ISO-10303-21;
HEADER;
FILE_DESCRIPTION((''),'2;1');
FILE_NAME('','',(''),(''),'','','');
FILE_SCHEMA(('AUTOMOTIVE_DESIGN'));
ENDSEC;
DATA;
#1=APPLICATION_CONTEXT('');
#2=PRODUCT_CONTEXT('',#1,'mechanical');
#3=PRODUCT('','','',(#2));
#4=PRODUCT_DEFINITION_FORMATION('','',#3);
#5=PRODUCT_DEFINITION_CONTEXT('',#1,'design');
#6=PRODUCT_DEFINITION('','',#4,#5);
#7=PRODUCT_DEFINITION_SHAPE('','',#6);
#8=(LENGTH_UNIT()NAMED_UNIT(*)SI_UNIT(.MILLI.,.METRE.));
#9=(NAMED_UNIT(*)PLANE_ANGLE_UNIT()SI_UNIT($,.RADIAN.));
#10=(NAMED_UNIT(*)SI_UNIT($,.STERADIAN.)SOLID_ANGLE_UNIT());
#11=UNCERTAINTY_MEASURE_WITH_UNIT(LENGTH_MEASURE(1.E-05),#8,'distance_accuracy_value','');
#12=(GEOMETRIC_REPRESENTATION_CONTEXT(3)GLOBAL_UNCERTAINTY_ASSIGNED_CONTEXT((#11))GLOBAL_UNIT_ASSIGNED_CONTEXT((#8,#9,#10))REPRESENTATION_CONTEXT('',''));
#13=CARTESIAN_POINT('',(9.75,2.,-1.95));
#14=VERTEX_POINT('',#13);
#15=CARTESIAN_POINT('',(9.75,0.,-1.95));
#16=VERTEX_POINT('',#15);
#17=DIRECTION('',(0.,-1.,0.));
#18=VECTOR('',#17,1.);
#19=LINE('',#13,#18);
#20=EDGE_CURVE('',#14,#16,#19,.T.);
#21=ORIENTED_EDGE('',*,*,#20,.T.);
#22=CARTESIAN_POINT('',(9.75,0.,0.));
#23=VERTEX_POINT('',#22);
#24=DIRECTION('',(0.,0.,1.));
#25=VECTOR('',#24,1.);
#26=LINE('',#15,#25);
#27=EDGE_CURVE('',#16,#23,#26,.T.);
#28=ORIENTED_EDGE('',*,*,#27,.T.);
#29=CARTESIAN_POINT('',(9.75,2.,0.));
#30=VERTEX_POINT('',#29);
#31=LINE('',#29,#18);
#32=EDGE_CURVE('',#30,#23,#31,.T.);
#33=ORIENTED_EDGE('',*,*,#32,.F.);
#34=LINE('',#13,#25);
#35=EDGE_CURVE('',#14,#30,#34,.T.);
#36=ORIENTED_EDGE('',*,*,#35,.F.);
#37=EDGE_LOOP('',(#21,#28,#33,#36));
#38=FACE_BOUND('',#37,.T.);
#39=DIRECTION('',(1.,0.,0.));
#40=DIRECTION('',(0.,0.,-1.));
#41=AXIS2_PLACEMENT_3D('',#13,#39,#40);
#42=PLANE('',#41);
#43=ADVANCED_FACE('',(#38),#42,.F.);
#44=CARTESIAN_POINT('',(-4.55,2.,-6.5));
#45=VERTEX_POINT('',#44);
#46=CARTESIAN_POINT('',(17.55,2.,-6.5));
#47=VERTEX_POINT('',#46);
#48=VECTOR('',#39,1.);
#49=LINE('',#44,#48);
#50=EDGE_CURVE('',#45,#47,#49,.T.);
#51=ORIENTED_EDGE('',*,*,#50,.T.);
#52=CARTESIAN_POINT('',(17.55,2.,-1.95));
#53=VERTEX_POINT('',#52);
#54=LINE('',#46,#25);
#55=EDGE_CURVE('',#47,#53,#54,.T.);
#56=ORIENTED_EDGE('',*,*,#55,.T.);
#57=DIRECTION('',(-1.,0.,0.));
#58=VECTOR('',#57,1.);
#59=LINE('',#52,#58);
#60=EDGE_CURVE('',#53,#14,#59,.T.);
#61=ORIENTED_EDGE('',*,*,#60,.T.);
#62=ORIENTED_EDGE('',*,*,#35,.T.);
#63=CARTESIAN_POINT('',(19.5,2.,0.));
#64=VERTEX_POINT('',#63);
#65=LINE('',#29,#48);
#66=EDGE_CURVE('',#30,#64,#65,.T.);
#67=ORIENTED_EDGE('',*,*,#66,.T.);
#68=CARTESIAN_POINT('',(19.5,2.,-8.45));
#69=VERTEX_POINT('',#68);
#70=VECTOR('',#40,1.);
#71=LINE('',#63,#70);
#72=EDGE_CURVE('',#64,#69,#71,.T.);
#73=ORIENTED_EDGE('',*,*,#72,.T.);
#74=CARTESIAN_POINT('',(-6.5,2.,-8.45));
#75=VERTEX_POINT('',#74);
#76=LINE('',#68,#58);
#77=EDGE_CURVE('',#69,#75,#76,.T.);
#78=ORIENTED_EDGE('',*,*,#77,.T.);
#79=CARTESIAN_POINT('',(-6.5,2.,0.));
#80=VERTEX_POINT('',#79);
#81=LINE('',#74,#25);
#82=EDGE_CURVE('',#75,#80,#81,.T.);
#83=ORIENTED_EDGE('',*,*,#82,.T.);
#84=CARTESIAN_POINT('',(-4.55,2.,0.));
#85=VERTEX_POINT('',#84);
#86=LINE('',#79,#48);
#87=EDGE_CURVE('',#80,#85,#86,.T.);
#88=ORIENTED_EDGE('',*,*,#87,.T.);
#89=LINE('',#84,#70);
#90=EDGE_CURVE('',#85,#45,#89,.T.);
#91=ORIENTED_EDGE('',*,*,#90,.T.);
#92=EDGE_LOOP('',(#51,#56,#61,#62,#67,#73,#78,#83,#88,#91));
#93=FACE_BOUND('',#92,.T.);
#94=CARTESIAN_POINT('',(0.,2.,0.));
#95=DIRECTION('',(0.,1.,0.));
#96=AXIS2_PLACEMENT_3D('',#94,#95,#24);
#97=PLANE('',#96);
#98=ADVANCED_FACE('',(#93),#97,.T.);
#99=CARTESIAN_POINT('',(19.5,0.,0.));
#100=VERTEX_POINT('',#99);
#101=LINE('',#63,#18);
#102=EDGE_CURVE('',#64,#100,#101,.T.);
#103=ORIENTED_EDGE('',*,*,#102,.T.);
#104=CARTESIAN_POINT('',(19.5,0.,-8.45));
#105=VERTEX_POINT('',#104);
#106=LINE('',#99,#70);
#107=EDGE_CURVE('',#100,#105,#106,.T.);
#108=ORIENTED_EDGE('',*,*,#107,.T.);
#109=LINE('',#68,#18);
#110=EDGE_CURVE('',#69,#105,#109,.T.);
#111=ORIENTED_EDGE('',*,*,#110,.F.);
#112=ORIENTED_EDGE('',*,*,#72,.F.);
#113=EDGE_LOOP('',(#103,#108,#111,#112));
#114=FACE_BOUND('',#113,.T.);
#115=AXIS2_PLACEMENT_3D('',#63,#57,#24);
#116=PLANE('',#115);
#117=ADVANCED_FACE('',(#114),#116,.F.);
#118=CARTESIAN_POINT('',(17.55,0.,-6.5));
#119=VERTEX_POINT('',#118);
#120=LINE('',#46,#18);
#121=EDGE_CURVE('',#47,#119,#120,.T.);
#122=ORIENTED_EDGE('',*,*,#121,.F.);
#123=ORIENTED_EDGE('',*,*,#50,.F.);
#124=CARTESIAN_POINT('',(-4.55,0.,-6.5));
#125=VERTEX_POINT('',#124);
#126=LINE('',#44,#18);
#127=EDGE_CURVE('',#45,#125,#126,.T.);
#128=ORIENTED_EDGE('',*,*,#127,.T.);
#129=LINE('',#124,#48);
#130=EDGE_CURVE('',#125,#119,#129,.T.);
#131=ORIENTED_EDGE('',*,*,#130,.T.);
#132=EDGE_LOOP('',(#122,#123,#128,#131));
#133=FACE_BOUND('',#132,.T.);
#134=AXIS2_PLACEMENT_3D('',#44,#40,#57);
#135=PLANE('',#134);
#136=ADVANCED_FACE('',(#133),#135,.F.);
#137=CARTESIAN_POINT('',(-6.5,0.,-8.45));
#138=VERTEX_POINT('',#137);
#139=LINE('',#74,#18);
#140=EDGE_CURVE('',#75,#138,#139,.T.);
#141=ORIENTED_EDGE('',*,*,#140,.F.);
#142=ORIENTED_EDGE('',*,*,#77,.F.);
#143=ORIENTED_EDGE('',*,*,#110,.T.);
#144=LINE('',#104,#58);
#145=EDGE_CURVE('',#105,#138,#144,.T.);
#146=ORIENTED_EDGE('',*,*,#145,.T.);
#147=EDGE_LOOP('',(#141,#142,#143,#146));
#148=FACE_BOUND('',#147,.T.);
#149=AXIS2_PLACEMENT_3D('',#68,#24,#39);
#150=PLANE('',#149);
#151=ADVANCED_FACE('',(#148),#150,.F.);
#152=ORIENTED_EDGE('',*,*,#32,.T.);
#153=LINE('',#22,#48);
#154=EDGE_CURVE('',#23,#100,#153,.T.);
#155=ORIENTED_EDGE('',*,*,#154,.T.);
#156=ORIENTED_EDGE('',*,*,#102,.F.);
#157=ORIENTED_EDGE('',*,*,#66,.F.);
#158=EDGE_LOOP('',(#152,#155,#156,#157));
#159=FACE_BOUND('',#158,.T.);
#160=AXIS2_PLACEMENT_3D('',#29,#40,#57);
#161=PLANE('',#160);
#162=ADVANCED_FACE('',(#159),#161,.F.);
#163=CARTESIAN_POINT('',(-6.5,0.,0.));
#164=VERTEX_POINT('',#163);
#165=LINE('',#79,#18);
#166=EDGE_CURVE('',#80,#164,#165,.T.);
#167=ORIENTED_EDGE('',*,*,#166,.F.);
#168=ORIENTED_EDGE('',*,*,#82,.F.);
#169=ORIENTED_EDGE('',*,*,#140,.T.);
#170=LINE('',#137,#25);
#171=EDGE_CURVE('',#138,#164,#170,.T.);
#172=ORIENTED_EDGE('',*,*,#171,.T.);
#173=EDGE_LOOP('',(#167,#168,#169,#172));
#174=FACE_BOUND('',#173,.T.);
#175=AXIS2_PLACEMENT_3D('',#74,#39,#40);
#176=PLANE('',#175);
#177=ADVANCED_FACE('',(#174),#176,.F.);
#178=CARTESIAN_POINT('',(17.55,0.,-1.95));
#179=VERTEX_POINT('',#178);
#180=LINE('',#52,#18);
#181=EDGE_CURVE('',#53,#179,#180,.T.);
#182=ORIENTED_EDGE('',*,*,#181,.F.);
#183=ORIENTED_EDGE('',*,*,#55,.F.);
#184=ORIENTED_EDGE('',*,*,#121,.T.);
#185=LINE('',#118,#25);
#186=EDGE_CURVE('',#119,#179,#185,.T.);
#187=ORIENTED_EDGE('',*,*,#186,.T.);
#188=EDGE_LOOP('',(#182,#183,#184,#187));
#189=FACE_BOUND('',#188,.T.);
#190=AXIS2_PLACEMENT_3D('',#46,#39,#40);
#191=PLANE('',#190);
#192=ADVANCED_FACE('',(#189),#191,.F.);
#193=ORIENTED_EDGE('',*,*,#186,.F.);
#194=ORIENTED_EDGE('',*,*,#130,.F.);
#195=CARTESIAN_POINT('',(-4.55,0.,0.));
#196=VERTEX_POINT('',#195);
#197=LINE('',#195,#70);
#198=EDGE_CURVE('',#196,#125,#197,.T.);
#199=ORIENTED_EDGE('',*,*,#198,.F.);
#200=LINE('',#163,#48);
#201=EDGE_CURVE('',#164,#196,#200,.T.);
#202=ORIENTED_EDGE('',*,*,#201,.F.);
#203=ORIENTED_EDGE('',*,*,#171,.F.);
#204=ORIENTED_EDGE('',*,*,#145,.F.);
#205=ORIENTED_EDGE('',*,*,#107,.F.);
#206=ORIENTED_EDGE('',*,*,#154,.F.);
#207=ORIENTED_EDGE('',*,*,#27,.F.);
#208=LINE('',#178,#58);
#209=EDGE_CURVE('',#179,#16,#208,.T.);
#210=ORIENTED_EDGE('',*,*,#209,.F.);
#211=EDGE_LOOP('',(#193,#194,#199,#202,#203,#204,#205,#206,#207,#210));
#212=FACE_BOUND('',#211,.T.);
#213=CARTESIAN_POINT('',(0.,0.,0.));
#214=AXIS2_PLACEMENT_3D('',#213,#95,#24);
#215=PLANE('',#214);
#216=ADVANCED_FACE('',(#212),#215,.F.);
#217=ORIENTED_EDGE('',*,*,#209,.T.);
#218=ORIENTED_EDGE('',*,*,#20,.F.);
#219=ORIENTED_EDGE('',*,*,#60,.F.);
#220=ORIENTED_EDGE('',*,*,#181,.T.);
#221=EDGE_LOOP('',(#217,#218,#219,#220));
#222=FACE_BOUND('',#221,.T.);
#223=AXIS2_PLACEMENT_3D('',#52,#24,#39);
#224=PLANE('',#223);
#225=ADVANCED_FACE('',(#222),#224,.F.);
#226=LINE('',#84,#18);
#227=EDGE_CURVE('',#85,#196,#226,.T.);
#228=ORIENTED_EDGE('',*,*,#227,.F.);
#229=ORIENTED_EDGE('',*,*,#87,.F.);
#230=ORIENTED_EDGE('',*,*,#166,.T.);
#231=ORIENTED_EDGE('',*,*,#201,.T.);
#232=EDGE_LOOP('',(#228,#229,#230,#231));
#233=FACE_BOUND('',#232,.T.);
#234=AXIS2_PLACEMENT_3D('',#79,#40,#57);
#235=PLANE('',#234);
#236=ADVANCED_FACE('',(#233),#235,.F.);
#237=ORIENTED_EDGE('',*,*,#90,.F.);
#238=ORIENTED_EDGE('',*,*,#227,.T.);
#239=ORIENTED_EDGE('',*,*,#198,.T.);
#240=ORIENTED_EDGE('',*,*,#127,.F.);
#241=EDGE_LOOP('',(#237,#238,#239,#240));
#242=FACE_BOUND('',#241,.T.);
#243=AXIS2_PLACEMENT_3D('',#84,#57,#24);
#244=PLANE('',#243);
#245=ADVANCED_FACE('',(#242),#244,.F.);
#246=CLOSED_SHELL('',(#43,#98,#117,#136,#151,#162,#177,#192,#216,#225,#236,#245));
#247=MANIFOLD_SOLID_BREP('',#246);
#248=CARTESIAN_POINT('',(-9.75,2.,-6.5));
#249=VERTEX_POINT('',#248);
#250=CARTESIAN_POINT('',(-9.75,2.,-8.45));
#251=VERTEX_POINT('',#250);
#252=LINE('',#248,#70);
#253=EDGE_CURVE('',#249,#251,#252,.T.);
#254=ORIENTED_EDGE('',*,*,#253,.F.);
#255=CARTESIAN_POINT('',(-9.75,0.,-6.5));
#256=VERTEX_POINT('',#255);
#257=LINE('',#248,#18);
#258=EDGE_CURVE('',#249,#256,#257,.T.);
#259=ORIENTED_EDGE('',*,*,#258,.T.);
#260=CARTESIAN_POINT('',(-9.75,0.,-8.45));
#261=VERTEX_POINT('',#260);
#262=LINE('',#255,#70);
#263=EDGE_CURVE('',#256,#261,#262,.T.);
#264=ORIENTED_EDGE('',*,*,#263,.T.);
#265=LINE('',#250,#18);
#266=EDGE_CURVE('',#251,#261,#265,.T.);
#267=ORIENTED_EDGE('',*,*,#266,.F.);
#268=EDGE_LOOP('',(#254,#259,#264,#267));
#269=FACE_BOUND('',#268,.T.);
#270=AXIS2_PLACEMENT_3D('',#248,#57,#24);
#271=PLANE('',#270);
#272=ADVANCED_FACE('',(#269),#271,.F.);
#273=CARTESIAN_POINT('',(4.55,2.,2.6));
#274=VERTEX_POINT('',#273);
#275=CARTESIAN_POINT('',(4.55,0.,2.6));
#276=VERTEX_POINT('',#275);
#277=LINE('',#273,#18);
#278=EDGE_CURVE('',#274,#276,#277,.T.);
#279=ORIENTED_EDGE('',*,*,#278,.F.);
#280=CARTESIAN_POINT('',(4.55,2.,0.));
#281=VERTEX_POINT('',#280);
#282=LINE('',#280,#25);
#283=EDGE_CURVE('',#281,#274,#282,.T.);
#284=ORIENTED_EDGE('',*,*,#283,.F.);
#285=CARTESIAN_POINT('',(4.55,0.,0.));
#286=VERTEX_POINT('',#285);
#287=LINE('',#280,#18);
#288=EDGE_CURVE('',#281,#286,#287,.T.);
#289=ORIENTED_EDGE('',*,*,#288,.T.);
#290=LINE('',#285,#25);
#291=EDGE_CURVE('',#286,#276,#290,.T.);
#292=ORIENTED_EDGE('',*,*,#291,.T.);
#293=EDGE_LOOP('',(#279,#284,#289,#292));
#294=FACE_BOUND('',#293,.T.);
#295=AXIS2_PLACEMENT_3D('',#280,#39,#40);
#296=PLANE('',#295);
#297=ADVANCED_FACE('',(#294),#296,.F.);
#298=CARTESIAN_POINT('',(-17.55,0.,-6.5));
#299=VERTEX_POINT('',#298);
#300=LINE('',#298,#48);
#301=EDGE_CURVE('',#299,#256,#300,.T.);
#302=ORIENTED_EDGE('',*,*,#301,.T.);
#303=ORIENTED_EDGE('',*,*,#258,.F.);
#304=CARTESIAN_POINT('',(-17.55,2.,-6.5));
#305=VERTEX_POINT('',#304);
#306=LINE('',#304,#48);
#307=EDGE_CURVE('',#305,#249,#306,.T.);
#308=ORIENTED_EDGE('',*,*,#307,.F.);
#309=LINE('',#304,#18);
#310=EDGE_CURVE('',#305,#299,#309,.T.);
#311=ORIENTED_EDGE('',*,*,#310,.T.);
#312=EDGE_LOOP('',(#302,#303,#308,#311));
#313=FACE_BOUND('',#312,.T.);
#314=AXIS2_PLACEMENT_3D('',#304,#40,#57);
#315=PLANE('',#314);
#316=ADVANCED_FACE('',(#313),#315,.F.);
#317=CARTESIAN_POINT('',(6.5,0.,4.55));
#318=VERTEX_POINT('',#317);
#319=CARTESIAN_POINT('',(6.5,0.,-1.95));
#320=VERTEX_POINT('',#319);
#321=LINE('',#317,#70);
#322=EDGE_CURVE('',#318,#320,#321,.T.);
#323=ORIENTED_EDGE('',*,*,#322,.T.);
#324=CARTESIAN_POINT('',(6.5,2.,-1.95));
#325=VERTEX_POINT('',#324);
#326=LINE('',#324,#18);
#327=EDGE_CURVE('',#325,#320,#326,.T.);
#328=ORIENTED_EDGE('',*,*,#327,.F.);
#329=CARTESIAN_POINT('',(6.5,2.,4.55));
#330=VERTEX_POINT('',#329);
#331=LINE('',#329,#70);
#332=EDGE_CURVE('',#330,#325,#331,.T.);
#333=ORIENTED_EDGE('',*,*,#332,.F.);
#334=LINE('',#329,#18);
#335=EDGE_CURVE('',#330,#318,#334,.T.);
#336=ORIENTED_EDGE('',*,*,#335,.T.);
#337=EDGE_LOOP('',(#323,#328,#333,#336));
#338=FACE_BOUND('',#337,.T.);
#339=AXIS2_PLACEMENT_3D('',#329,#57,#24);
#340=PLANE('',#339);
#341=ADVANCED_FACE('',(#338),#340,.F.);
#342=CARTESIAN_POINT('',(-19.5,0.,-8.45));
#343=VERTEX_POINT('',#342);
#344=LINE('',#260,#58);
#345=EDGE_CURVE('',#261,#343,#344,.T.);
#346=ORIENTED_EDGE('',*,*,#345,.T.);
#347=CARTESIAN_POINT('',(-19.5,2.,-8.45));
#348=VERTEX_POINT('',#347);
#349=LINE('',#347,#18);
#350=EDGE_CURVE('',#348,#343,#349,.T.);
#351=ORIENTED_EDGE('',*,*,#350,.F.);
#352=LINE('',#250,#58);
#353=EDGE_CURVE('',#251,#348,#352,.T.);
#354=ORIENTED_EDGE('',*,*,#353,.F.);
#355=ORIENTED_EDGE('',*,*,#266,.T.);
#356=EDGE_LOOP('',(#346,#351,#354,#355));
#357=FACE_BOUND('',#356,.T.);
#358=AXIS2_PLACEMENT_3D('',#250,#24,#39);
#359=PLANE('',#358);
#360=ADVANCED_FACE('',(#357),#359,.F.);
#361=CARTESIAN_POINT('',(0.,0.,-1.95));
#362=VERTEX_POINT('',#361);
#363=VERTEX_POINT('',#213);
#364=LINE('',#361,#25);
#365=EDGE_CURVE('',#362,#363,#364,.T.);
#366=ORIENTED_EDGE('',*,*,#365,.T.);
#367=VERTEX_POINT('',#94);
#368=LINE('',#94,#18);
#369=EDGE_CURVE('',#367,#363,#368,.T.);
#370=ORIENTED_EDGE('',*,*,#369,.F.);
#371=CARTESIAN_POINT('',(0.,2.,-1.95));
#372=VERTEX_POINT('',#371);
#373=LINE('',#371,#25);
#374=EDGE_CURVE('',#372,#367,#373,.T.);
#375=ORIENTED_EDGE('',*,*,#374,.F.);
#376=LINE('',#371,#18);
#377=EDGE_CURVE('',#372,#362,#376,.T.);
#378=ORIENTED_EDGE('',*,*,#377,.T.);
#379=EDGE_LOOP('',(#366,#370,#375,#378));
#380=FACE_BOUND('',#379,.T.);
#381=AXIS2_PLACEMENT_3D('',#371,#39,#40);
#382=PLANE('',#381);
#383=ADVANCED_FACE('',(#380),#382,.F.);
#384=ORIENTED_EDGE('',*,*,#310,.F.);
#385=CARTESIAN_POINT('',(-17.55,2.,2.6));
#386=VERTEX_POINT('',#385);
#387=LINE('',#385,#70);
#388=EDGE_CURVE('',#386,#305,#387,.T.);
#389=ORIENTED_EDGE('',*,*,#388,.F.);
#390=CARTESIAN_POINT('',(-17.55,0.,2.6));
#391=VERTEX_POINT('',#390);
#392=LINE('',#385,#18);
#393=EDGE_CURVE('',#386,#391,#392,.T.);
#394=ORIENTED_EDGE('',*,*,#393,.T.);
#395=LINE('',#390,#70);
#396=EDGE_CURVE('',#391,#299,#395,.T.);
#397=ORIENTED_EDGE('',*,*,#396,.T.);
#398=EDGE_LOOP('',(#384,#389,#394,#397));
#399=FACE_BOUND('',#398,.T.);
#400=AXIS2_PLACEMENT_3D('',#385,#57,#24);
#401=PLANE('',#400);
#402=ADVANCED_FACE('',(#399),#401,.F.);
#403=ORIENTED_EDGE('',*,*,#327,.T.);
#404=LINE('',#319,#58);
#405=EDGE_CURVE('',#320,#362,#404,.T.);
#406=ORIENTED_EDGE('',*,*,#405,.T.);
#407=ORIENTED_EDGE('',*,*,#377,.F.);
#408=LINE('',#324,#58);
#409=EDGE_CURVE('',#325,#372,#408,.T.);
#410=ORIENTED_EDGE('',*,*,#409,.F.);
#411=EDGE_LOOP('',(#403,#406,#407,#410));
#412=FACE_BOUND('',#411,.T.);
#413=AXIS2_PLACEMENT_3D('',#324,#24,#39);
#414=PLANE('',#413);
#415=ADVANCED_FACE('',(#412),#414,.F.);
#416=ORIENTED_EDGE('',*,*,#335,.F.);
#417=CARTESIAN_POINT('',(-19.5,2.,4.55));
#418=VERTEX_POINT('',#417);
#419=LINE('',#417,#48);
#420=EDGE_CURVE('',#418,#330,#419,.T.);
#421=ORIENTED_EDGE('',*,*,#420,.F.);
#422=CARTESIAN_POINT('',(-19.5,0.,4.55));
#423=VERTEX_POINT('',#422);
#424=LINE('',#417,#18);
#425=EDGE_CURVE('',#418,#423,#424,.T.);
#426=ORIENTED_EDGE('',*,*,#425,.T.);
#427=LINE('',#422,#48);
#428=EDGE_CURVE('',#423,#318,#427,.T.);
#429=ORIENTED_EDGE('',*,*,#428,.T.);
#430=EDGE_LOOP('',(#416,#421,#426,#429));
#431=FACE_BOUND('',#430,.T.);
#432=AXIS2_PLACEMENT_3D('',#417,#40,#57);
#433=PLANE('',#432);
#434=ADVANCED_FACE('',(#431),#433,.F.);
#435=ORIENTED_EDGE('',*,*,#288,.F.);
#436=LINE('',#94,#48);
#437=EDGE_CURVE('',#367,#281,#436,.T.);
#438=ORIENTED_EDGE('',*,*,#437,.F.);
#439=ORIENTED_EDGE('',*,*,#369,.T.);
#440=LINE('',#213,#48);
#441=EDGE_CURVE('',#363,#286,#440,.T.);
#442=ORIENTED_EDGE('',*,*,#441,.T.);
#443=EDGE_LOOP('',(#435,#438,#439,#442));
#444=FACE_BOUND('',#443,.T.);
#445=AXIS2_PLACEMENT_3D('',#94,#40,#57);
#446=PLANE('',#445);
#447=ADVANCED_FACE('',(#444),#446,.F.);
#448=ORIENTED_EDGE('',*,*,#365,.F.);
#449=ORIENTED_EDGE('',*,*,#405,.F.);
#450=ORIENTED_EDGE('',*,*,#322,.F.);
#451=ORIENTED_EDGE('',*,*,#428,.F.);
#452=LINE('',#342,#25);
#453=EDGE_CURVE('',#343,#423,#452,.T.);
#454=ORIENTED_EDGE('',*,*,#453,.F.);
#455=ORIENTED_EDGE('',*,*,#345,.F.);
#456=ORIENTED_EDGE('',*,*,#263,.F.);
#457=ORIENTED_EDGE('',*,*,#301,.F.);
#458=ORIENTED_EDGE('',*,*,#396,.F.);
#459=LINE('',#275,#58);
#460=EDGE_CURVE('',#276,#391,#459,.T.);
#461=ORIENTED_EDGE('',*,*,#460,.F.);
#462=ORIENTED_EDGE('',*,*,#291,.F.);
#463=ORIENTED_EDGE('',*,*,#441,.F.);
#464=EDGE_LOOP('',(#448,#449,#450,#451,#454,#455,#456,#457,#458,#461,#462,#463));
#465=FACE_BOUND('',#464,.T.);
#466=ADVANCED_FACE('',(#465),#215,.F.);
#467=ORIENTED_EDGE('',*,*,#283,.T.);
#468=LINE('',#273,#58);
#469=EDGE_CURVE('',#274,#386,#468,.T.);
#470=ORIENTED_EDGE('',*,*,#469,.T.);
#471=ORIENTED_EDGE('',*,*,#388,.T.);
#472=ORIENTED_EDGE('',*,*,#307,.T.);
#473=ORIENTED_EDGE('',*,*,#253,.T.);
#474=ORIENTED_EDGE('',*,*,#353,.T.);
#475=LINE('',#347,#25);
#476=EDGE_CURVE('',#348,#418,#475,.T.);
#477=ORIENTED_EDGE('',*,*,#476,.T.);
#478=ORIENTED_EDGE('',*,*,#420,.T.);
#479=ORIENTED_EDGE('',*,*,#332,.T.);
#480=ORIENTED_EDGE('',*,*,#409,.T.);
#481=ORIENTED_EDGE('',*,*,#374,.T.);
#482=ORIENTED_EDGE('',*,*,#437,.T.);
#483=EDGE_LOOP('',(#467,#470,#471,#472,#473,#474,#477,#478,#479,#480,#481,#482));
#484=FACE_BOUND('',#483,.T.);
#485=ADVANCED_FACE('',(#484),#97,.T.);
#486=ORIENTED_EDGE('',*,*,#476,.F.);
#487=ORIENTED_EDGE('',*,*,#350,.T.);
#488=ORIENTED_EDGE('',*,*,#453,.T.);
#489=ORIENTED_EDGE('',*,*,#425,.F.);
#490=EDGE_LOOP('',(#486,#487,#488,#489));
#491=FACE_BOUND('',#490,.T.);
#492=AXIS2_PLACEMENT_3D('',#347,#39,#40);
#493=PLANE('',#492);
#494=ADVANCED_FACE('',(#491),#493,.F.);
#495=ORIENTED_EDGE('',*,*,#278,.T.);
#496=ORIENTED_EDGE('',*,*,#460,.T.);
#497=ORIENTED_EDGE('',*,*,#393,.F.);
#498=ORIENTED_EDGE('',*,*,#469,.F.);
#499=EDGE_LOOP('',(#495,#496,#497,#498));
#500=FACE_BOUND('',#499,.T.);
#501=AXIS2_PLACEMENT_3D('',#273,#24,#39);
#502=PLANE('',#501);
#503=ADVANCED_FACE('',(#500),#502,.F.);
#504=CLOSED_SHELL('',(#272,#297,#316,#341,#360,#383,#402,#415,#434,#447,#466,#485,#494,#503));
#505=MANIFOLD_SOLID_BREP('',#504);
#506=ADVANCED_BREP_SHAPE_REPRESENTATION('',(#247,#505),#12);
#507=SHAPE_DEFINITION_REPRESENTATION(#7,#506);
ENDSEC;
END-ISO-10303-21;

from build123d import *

# Parameters (mm, degrees)
BOSS_EXTRUDE1_DEPTH   = 2
BOSS_EXTRUDE1_2_DEPTH = 2


with BuildPart() as part:
    # Sketch1 → Boss-Extrude1 (new body)
    with BuildSketch(Plane(origin=(0, 0, 0), x_dir=(1, 0, 0), z_dir=(0, 1, 0))):
        Polygon((-6.5, 8.45), (-6.5, 0), (-4.55, 0), (-4.55, 6.5), (17.55, 6.5), (17.55, 1.95), (9.75, 1.95), (9.75, 0), (19.5, 0), (19.5, 8.45), align=None)
    extrude(amount=BOSS_EXTRUDE1_DEPTH)


with BuildPart() as body_2:
    # Sketch1 → Boss-Extrude1 2 (new body)
    with BuildSketch(Plane(origin=(0, 0, 0), x_dir=(1, 0, 0), z_dir=(0, 1, 0))):
        Polygon((-19.5, 8.45), (-19.5, -4.55), (6.5, -4.55), (6.5, 1.95), (0, 1.95), (0, 0), (4.55, 0), (4.55, -2.6), (-17.55, -2.6), (-17.55, 6.5), (-9.75, 6.5), (-9.75, 8.45), align=None)
    extrude(amount=BOSS_EXTRUDE1_2_DEPTH)


solid = Compound([part.part, body_2.part])
